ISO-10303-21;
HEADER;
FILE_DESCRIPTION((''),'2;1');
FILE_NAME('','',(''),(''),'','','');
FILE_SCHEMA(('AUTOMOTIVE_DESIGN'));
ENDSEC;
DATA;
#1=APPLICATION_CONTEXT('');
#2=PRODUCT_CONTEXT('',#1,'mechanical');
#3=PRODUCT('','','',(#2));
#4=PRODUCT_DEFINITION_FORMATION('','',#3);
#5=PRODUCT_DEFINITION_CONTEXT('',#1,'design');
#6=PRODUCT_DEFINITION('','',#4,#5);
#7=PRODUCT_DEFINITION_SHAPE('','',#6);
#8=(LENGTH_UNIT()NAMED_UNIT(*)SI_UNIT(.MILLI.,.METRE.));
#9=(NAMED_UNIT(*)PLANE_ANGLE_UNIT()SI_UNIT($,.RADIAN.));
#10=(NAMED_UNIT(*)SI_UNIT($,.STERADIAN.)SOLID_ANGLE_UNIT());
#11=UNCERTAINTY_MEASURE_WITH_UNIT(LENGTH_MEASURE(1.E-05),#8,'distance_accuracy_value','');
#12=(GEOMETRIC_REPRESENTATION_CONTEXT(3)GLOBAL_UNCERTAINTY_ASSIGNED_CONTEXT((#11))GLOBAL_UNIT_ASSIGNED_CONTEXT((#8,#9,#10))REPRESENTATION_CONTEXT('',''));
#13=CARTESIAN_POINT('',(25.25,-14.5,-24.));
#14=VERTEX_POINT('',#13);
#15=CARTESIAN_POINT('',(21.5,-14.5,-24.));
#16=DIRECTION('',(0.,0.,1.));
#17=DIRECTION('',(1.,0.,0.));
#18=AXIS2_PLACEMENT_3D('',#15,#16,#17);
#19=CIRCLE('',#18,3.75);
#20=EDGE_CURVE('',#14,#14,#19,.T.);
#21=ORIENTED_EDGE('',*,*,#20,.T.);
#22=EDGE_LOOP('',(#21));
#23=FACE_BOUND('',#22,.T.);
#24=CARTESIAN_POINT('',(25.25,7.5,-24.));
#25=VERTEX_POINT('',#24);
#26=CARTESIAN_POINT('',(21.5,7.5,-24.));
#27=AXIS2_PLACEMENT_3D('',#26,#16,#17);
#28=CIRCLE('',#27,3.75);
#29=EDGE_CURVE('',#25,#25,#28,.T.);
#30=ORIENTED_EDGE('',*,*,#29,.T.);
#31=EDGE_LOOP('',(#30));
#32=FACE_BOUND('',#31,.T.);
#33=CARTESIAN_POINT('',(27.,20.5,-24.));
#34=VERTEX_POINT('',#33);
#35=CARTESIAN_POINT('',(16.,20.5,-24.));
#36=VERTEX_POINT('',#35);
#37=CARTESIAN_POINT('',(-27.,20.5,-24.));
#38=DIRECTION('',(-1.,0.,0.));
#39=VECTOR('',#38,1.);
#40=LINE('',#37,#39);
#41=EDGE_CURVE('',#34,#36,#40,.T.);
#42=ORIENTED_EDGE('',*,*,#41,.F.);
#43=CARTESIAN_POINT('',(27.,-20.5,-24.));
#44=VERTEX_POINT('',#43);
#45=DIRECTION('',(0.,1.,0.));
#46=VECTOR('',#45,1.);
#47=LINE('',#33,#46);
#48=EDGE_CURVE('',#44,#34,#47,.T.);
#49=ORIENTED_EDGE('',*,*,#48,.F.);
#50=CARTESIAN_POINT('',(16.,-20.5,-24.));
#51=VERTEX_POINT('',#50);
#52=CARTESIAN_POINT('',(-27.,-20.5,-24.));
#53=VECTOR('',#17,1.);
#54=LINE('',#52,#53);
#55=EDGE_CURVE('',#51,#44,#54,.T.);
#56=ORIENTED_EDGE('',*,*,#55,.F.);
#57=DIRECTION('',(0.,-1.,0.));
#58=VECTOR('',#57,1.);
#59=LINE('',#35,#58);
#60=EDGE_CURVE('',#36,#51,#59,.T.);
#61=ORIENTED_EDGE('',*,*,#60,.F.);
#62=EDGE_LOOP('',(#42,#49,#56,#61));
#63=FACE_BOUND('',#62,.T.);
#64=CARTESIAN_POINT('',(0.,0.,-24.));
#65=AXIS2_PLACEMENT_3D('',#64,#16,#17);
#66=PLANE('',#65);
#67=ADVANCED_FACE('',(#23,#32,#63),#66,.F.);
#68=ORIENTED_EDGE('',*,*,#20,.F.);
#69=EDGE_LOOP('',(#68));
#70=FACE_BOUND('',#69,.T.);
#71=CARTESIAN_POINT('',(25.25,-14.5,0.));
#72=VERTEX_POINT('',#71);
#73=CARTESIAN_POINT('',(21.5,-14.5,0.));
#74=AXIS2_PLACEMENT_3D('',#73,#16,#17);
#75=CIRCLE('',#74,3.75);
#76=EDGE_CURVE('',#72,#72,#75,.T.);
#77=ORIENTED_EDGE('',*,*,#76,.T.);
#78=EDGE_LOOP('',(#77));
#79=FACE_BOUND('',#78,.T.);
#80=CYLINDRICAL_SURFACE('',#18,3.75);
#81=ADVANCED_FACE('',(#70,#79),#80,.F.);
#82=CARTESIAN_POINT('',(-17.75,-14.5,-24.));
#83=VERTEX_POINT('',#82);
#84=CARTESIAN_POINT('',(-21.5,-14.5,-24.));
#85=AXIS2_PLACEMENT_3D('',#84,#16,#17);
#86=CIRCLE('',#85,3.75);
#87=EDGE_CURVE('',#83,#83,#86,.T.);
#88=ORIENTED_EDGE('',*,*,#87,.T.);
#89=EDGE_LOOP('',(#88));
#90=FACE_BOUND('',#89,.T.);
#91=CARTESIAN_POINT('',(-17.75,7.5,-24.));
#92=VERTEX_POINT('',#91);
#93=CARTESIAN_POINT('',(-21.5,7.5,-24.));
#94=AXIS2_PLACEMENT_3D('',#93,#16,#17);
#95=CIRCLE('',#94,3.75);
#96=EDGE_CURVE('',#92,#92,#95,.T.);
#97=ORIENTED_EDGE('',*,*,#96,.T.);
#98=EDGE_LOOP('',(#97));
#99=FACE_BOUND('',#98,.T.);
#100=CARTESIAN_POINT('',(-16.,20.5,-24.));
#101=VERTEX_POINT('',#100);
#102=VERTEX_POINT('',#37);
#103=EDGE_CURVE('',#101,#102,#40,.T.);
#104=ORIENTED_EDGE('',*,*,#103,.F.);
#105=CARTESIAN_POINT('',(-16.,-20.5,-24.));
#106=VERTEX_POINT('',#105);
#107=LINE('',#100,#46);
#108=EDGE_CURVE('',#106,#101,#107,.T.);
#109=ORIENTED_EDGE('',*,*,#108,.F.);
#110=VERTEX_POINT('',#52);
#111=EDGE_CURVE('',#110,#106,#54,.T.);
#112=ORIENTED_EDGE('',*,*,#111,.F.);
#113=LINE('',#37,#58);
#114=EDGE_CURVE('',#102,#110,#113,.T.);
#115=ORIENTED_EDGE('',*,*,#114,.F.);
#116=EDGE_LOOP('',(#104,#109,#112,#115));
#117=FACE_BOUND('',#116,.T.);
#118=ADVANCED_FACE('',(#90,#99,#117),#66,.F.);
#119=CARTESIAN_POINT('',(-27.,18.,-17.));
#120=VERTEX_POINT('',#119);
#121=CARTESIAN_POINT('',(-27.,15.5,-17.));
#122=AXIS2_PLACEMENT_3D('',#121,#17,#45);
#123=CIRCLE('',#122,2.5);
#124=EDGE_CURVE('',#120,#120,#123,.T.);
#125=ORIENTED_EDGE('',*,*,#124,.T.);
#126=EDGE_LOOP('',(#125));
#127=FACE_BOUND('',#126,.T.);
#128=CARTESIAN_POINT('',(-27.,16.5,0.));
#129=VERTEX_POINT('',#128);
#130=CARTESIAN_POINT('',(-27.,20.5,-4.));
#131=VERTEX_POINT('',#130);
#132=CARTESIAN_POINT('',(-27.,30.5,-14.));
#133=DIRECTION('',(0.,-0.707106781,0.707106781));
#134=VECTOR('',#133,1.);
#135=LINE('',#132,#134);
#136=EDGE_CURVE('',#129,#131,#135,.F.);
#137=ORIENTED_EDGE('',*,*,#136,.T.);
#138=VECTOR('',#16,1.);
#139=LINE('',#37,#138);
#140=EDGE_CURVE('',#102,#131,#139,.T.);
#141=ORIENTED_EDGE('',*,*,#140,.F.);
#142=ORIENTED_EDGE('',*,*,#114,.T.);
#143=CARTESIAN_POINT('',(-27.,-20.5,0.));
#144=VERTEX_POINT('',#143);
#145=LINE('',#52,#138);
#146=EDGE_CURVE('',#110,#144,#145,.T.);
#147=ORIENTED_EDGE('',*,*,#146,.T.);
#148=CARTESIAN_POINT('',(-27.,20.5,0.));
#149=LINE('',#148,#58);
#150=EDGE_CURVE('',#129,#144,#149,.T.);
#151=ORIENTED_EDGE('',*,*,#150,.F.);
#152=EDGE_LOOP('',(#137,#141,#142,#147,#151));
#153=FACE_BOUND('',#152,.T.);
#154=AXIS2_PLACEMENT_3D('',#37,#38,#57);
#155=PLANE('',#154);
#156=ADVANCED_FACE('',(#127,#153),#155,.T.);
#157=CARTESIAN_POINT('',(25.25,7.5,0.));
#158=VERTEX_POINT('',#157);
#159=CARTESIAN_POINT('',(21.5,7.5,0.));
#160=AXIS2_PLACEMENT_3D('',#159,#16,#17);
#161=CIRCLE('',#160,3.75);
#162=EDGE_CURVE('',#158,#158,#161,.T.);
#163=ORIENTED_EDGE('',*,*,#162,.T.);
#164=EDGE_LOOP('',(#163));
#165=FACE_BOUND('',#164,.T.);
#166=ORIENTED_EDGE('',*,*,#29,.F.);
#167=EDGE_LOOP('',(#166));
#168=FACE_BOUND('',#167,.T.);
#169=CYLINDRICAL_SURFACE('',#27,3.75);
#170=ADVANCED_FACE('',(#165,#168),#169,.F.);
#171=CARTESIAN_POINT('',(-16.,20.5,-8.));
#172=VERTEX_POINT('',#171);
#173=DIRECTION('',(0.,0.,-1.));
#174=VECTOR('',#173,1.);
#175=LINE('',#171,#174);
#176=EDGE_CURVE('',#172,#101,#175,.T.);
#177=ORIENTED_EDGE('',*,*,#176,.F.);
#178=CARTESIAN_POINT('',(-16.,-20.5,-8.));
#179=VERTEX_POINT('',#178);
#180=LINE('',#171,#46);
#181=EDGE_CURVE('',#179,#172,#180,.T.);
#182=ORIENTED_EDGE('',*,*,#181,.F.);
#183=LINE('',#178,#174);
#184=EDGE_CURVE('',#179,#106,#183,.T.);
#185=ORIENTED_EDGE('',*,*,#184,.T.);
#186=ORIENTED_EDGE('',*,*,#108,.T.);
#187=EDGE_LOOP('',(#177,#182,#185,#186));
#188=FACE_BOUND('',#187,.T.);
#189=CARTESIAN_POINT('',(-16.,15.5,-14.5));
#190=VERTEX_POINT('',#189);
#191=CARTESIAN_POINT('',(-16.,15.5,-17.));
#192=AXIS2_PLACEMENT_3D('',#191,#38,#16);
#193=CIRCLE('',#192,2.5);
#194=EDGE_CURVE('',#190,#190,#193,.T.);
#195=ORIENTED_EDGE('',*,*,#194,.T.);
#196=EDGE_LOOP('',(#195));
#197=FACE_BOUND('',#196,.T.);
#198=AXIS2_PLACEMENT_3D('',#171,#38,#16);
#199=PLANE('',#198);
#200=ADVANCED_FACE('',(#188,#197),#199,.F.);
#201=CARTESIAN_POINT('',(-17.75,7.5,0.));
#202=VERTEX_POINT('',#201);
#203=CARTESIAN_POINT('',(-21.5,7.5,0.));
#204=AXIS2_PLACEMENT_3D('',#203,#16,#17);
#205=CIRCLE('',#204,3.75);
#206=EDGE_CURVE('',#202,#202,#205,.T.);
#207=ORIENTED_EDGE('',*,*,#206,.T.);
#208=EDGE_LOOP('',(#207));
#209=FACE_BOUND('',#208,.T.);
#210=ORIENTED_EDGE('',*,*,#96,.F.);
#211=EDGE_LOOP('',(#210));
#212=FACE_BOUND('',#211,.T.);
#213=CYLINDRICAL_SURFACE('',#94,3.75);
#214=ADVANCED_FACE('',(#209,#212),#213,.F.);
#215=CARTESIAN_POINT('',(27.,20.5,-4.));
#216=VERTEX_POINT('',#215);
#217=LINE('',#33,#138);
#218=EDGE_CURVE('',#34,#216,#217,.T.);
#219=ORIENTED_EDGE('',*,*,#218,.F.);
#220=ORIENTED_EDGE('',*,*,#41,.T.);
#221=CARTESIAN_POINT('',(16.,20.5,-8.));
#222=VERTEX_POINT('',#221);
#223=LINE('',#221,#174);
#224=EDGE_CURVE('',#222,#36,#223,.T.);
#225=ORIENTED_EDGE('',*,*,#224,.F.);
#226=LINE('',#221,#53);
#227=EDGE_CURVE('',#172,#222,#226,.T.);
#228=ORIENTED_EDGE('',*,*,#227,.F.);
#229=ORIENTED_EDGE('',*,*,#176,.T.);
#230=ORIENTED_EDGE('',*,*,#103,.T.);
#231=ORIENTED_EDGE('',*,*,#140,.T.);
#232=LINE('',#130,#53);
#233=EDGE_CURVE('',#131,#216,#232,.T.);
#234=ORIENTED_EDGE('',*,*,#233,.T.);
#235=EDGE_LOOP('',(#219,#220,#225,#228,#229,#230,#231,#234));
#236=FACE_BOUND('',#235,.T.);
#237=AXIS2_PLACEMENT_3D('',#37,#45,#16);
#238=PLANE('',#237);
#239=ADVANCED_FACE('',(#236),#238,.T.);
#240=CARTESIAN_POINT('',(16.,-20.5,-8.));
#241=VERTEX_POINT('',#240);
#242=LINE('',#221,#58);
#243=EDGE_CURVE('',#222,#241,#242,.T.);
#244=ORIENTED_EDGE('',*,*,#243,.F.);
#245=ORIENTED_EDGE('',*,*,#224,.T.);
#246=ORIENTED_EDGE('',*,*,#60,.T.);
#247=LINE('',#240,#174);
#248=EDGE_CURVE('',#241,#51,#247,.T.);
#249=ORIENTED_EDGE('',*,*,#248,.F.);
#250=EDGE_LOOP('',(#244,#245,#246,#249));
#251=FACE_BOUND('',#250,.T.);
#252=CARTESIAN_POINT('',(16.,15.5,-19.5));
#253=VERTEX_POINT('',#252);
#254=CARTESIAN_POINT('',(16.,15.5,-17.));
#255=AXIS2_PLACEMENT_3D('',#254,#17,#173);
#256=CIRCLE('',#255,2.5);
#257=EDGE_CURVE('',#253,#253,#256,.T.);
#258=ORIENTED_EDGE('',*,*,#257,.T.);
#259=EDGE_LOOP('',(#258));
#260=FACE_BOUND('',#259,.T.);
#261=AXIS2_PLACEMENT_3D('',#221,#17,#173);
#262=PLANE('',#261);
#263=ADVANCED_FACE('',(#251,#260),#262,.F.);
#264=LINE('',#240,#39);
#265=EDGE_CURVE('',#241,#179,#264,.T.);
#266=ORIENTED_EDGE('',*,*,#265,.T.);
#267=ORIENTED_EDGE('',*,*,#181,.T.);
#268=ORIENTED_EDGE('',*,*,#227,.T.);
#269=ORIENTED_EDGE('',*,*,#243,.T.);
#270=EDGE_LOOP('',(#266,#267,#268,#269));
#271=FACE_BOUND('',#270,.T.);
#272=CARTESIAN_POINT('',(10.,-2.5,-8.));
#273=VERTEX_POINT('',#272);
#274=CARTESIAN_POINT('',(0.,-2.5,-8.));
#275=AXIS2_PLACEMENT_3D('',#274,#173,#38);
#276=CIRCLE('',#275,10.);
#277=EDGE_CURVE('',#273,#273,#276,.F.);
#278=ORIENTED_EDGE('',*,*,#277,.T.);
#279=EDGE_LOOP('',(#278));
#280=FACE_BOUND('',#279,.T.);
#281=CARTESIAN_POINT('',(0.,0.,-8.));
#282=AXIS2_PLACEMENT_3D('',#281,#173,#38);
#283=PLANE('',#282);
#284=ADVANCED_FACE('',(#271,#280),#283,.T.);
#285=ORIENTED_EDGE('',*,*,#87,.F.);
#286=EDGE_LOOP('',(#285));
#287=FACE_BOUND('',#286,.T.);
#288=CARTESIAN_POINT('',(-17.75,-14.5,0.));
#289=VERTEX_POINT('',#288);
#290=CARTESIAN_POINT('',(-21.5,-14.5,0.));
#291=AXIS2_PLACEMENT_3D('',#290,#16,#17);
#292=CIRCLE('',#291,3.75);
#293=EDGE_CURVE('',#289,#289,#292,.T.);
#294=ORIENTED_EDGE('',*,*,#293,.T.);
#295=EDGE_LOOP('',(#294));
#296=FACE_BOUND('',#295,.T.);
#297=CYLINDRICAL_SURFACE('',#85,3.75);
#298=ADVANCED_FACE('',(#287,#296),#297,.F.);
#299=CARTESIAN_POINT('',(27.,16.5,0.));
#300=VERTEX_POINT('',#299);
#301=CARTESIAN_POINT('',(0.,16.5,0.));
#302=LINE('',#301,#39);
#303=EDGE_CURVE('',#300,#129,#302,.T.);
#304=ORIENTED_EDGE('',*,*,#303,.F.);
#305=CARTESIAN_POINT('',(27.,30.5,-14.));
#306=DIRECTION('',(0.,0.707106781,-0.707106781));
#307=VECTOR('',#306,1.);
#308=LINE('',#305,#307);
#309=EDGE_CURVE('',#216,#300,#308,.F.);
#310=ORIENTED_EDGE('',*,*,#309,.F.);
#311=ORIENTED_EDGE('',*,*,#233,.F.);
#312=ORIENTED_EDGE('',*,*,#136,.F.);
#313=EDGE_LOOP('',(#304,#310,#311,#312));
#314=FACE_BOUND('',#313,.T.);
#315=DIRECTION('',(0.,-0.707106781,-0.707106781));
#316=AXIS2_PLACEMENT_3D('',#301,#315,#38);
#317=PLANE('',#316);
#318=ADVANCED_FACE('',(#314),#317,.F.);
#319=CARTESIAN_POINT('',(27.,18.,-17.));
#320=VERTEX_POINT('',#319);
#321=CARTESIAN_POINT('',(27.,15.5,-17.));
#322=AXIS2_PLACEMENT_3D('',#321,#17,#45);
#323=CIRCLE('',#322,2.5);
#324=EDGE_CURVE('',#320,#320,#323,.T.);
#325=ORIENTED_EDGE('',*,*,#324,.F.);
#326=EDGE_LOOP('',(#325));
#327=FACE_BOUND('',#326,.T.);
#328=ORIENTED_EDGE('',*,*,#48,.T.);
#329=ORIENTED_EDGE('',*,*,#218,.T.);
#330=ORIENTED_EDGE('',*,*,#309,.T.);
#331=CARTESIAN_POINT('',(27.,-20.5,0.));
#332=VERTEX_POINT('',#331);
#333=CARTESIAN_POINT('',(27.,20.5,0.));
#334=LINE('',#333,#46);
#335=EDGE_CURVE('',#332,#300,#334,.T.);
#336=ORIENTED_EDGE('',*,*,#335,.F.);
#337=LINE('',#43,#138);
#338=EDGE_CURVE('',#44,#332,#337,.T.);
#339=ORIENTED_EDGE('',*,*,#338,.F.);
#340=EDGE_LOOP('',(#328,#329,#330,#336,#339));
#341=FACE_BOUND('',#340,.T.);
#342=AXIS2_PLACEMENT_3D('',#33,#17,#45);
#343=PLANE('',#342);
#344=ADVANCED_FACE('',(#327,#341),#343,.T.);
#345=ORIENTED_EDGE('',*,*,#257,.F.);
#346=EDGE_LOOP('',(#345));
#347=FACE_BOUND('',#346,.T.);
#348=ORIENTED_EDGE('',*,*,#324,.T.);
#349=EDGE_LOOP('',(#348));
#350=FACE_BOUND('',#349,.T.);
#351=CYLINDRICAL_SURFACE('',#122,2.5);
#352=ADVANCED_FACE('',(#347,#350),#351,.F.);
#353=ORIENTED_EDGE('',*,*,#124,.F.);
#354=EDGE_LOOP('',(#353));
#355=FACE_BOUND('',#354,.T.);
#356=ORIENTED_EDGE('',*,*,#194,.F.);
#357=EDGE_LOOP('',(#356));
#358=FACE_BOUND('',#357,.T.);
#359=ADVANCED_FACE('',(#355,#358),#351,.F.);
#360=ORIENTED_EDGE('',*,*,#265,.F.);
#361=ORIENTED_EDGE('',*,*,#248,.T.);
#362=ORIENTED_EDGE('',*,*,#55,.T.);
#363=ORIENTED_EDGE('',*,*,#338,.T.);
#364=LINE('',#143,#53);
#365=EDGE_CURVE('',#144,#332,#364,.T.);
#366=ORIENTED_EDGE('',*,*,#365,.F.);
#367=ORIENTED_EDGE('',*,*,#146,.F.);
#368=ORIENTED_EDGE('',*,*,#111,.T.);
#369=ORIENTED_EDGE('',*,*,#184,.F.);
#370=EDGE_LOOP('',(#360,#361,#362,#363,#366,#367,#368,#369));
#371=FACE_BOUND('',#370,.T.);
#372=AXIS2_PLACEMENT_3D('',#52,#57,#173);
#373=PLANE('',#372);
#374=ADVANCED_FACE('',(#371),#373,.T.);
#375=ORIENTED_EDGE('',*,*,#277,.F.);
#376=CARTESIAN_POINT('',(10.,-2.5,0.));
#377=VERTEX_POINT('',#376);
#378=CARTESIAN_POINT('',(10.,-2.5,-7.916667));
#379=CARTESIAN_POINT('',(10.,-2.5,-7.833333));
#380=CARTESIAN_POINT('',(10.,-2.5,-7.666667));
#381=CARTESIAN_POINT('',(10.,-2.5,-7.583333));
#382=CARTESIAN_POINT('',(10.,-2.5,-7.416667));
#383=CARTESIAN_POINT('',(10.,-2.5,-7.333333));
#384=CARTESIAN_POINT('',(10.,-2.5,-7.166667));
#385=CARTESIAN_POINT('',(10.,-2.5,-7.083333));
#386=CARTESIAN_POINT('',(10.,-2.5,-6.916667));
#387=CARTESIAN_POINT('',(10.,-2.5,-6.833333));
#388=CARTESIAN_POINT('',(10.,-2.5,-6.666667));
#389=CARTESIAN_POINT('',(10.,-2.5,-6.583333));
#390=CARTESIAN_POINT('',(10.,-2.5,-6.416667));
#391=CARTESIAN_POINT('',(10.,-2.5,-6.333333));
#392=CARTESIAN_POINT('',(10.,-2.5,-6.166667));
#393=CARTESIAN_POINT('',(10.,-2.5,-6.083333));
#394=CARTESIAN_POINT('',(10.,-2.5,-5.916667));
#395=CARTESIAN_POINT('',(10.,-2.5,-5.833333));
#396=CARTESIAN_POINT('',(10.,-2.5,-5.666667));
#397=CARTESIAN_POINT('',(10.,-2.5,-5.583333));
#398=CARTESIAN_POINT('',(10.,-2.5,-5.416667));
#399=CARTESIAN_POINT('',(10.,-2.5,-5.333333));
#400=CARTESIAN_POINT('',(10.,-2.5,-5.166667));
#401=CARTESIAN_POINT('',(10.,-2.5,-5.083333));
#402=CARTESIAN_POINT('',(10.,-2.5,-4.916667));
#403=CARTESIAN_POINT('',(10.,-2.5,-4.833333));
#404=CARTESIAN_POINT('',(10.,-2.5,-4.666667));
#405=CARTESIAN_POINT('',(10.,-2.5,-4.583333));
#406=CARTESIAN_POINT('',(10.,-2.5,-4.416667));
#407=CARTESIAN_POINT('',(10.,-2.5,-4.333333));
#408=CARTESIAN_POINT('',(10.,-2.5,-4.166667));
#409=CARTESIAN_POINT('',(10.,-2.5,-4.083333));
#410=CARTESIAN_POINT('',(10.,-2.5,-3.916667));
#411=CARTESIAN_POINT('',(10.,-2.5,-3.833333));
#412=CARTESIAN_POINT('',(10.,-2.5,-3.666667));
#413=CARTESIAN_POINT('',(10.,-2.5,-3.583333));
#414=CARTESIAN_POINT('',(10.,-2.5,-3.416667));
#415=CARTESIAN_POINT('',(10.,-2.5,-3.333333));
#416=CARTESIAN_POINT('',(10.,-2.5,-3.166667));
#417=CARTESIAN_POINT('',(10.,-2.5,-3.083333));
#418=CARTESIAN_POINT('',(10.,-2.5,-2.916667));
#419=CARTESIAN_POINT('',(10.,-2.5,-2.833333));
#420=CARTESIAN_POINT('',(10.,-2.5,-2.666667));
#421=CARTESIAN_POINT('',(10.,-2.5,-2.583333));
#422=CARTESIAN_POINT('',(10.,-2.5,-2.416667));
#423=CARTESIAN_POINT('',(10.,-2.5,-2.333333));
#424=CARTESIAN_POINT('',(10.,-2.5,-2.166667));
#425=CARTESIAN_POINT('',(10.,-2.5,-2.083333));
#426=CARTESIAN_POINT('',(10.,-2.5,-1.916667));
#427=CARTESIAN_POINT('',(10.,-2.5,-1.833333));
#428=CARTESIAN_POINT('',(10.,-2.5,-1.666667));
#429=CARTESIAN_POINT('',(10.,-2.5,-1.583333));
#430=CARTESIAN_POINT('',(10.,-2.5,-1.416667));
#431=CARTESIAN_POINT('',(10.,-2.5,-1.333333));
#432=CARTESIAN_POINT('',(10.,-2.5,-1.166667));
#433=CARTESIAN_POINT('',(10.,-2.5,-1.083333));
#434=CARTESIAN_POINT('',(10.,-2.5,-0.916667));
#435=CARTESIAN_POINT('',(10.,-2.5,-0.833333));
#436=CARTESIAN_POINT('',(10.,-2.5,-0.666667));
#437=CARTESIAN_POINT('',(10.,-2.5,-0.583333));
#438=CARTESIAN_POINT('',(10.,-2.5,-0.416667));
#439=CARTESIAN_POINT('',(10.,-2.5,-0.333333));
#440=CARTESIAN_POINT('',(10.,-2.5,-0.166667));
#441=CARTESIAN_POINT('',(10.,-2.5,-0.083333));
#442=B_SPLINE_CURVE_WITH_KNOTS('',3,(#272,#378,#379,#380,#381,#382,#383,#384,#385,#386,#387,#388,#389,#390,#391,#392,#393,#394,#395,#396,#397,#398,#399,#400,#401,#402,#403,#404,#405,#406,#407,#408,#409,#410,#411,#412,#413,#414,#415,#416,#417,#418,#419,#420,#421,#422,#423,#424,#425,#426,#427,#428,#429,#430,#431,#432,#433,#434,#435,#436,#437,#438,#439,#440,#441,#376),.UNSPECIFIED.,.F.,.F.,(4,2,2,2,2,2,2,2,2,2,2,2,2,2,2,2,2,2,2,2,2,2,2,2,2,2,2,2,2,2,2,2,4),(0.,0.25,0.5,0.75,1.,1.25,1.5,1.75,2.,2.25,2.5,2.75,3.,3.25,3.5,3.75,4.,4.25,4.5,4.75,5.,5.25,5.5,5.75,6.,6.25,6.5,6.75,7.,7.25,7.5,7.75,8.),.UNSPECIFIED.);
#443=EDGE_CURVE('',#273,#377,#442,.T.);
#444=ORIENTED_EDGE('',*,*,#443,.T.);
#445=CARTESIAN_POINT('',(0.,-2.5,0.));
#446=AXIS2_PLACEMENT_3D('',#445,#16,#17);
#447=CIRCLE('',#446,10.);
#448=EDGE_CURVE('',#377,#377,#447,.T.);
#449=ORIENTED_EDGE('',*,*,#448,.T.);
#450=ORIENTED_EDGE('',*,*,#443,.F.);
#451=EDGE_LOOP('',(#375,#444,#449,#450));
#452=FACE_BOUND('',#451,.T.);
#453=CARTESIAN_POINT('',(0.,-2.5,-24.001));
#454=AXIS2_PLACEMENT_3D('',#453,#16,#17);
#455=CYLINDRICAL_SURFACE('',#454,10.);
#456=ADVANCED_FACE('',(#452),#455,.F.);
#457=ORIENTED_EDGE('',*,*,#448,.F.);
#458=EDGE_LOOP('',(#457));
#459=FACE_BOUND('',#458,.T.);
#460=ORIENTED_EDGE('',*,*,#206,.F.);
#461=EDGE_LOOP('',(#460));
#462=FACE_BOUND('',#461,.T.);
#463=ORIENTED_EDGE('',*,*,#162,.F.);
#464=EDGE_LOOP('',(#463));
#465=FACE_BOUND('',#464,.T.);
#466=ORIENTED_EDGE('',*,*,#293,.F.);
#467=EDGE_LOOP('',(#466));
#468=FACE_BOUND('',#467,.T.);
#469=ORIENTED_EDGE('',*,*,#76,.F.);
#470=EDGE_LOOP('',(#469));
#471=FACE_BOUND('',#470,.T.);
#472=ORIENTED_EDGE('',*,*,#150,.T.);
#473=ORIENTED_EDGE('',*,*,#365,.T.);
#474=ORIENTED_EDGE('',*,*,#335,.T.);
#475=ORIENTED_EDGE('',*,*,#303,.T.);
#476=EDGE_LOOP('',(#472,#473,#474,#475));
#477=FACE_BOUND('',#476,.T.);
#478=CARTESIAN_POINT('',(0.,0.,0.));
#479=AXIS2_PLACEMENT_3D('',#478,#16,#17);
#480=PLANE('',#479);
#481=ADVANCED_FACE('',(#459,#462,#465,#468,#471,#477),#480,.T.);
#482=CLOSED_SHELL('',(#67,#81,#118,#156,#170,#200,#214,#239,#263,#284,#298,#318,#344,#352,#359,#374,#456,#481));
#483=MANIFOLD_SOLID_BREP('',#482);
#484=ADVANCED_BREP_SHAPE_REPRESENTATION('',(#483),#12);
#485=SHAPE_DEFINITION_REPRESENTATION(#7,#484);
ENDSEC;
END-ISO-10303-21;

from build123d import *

# Parameters (mm, degrees)
CROQUIS1_W              = 54
CROQUIS1_H              = 41
CROQUIS1_R              = 3.75
SALIENTE_EXTRUIR1_DEPTH = 24
CROQUIS2_W              = 32
CROQUIS2_H              = 41
CORTAR_EXTRUIR1_DEPTH   = 16
CROQUIS3_R              = 2.5
CORTAR_EXTRUIR2_DEPTH   = 63.547981582
CHAFL_N1_SIZE           = 4
CORTAR_EXTRUIR3_REACH   = 43.536
CROQUIS4_R              = 10


with BuildPart() as part:
    # Croquis1 → Saliente-Extruir1 (new body)
    with BuildSketch(Plane.XY):
        Rectangle(CROQUIS1_W, CROQUIS1_H)
        with Locations((-21.5, 7.5)):
            Circle(CROQUIS1_R, mode=Mode.SUBTRACT)
        with Locations((21.5, 7.5)):
            Circle(CROQUIS1_R, mode=Mode.SUBTRACT)
        with Locations((21.5, -14.5)):
            Circle(CROQUIS1_R, mode=Mode.SUBTRACT)
        with Locations((-21.5, -14.5)):
            Circle(CROQUIS1_R, mode=Mode.SUBTRACT)
    extrude(amount=-SALIENTE_EXTRUIR1_DEPTH)

    # Croquis2 → Cortar-Extruir1 (cut)
    with BuildSketch(Plane(origin=(0, 0, -24), x_dir=(-1, 0, 0), z_dir=(0, 0, -1))):
        Rectangle(CROQUIS2_W, CROQUIS2_H)
    extrude(amount=-CORTAR_EXTRUIR1_DEPTH, mode=Mode.SUBTRACT)

    # Croquis3 → Cortar-Extruir2 (cut, through all)
    with BuildSketch(Plane(origin=(27, 0, 0), x_dir=(0, 0, -1), z_dir=(1, 0, 0))):
        with Locations(Location((17, 15.5, 0), (0, 0, 90))):
            Circle(CROQUIS3_R)
    extrude(amount=-CORTAR_EXTRUIR2_DEPTH, mode=Mode.SUBTRACT)

    # Chaflán1
    chafl_n1_edges = [part.edges().sort_by_distance(p)[0] for p in [
        (0, 20.5, 0),
    ]]
    chamfer(chafl_n1_edges, length=CHAFL_N1_SIZE)

    # Croquis4 → Cortar-Extruir3 (cut, up to next)
    with BuildSketch(Plane.XY, mode=Mode.PRIVATE) as cortar_extruir3_sk1:
        with Locations((0, -2.5)):
            Circle(CROQUIS4_R)
    cortar_extruir3_tool1 = extrude(cortar_extruir3_sk1.sketch, amount=-CORTAR_EXTRUIR3_REACH, mode=Mode.PRIVATE) & part.part
    add(cortar_extruir3_tool1.solids().sort_by_distance((0, -2.5, 0))[0], mode=Mode.SUBTRACT)


solid = part.part
